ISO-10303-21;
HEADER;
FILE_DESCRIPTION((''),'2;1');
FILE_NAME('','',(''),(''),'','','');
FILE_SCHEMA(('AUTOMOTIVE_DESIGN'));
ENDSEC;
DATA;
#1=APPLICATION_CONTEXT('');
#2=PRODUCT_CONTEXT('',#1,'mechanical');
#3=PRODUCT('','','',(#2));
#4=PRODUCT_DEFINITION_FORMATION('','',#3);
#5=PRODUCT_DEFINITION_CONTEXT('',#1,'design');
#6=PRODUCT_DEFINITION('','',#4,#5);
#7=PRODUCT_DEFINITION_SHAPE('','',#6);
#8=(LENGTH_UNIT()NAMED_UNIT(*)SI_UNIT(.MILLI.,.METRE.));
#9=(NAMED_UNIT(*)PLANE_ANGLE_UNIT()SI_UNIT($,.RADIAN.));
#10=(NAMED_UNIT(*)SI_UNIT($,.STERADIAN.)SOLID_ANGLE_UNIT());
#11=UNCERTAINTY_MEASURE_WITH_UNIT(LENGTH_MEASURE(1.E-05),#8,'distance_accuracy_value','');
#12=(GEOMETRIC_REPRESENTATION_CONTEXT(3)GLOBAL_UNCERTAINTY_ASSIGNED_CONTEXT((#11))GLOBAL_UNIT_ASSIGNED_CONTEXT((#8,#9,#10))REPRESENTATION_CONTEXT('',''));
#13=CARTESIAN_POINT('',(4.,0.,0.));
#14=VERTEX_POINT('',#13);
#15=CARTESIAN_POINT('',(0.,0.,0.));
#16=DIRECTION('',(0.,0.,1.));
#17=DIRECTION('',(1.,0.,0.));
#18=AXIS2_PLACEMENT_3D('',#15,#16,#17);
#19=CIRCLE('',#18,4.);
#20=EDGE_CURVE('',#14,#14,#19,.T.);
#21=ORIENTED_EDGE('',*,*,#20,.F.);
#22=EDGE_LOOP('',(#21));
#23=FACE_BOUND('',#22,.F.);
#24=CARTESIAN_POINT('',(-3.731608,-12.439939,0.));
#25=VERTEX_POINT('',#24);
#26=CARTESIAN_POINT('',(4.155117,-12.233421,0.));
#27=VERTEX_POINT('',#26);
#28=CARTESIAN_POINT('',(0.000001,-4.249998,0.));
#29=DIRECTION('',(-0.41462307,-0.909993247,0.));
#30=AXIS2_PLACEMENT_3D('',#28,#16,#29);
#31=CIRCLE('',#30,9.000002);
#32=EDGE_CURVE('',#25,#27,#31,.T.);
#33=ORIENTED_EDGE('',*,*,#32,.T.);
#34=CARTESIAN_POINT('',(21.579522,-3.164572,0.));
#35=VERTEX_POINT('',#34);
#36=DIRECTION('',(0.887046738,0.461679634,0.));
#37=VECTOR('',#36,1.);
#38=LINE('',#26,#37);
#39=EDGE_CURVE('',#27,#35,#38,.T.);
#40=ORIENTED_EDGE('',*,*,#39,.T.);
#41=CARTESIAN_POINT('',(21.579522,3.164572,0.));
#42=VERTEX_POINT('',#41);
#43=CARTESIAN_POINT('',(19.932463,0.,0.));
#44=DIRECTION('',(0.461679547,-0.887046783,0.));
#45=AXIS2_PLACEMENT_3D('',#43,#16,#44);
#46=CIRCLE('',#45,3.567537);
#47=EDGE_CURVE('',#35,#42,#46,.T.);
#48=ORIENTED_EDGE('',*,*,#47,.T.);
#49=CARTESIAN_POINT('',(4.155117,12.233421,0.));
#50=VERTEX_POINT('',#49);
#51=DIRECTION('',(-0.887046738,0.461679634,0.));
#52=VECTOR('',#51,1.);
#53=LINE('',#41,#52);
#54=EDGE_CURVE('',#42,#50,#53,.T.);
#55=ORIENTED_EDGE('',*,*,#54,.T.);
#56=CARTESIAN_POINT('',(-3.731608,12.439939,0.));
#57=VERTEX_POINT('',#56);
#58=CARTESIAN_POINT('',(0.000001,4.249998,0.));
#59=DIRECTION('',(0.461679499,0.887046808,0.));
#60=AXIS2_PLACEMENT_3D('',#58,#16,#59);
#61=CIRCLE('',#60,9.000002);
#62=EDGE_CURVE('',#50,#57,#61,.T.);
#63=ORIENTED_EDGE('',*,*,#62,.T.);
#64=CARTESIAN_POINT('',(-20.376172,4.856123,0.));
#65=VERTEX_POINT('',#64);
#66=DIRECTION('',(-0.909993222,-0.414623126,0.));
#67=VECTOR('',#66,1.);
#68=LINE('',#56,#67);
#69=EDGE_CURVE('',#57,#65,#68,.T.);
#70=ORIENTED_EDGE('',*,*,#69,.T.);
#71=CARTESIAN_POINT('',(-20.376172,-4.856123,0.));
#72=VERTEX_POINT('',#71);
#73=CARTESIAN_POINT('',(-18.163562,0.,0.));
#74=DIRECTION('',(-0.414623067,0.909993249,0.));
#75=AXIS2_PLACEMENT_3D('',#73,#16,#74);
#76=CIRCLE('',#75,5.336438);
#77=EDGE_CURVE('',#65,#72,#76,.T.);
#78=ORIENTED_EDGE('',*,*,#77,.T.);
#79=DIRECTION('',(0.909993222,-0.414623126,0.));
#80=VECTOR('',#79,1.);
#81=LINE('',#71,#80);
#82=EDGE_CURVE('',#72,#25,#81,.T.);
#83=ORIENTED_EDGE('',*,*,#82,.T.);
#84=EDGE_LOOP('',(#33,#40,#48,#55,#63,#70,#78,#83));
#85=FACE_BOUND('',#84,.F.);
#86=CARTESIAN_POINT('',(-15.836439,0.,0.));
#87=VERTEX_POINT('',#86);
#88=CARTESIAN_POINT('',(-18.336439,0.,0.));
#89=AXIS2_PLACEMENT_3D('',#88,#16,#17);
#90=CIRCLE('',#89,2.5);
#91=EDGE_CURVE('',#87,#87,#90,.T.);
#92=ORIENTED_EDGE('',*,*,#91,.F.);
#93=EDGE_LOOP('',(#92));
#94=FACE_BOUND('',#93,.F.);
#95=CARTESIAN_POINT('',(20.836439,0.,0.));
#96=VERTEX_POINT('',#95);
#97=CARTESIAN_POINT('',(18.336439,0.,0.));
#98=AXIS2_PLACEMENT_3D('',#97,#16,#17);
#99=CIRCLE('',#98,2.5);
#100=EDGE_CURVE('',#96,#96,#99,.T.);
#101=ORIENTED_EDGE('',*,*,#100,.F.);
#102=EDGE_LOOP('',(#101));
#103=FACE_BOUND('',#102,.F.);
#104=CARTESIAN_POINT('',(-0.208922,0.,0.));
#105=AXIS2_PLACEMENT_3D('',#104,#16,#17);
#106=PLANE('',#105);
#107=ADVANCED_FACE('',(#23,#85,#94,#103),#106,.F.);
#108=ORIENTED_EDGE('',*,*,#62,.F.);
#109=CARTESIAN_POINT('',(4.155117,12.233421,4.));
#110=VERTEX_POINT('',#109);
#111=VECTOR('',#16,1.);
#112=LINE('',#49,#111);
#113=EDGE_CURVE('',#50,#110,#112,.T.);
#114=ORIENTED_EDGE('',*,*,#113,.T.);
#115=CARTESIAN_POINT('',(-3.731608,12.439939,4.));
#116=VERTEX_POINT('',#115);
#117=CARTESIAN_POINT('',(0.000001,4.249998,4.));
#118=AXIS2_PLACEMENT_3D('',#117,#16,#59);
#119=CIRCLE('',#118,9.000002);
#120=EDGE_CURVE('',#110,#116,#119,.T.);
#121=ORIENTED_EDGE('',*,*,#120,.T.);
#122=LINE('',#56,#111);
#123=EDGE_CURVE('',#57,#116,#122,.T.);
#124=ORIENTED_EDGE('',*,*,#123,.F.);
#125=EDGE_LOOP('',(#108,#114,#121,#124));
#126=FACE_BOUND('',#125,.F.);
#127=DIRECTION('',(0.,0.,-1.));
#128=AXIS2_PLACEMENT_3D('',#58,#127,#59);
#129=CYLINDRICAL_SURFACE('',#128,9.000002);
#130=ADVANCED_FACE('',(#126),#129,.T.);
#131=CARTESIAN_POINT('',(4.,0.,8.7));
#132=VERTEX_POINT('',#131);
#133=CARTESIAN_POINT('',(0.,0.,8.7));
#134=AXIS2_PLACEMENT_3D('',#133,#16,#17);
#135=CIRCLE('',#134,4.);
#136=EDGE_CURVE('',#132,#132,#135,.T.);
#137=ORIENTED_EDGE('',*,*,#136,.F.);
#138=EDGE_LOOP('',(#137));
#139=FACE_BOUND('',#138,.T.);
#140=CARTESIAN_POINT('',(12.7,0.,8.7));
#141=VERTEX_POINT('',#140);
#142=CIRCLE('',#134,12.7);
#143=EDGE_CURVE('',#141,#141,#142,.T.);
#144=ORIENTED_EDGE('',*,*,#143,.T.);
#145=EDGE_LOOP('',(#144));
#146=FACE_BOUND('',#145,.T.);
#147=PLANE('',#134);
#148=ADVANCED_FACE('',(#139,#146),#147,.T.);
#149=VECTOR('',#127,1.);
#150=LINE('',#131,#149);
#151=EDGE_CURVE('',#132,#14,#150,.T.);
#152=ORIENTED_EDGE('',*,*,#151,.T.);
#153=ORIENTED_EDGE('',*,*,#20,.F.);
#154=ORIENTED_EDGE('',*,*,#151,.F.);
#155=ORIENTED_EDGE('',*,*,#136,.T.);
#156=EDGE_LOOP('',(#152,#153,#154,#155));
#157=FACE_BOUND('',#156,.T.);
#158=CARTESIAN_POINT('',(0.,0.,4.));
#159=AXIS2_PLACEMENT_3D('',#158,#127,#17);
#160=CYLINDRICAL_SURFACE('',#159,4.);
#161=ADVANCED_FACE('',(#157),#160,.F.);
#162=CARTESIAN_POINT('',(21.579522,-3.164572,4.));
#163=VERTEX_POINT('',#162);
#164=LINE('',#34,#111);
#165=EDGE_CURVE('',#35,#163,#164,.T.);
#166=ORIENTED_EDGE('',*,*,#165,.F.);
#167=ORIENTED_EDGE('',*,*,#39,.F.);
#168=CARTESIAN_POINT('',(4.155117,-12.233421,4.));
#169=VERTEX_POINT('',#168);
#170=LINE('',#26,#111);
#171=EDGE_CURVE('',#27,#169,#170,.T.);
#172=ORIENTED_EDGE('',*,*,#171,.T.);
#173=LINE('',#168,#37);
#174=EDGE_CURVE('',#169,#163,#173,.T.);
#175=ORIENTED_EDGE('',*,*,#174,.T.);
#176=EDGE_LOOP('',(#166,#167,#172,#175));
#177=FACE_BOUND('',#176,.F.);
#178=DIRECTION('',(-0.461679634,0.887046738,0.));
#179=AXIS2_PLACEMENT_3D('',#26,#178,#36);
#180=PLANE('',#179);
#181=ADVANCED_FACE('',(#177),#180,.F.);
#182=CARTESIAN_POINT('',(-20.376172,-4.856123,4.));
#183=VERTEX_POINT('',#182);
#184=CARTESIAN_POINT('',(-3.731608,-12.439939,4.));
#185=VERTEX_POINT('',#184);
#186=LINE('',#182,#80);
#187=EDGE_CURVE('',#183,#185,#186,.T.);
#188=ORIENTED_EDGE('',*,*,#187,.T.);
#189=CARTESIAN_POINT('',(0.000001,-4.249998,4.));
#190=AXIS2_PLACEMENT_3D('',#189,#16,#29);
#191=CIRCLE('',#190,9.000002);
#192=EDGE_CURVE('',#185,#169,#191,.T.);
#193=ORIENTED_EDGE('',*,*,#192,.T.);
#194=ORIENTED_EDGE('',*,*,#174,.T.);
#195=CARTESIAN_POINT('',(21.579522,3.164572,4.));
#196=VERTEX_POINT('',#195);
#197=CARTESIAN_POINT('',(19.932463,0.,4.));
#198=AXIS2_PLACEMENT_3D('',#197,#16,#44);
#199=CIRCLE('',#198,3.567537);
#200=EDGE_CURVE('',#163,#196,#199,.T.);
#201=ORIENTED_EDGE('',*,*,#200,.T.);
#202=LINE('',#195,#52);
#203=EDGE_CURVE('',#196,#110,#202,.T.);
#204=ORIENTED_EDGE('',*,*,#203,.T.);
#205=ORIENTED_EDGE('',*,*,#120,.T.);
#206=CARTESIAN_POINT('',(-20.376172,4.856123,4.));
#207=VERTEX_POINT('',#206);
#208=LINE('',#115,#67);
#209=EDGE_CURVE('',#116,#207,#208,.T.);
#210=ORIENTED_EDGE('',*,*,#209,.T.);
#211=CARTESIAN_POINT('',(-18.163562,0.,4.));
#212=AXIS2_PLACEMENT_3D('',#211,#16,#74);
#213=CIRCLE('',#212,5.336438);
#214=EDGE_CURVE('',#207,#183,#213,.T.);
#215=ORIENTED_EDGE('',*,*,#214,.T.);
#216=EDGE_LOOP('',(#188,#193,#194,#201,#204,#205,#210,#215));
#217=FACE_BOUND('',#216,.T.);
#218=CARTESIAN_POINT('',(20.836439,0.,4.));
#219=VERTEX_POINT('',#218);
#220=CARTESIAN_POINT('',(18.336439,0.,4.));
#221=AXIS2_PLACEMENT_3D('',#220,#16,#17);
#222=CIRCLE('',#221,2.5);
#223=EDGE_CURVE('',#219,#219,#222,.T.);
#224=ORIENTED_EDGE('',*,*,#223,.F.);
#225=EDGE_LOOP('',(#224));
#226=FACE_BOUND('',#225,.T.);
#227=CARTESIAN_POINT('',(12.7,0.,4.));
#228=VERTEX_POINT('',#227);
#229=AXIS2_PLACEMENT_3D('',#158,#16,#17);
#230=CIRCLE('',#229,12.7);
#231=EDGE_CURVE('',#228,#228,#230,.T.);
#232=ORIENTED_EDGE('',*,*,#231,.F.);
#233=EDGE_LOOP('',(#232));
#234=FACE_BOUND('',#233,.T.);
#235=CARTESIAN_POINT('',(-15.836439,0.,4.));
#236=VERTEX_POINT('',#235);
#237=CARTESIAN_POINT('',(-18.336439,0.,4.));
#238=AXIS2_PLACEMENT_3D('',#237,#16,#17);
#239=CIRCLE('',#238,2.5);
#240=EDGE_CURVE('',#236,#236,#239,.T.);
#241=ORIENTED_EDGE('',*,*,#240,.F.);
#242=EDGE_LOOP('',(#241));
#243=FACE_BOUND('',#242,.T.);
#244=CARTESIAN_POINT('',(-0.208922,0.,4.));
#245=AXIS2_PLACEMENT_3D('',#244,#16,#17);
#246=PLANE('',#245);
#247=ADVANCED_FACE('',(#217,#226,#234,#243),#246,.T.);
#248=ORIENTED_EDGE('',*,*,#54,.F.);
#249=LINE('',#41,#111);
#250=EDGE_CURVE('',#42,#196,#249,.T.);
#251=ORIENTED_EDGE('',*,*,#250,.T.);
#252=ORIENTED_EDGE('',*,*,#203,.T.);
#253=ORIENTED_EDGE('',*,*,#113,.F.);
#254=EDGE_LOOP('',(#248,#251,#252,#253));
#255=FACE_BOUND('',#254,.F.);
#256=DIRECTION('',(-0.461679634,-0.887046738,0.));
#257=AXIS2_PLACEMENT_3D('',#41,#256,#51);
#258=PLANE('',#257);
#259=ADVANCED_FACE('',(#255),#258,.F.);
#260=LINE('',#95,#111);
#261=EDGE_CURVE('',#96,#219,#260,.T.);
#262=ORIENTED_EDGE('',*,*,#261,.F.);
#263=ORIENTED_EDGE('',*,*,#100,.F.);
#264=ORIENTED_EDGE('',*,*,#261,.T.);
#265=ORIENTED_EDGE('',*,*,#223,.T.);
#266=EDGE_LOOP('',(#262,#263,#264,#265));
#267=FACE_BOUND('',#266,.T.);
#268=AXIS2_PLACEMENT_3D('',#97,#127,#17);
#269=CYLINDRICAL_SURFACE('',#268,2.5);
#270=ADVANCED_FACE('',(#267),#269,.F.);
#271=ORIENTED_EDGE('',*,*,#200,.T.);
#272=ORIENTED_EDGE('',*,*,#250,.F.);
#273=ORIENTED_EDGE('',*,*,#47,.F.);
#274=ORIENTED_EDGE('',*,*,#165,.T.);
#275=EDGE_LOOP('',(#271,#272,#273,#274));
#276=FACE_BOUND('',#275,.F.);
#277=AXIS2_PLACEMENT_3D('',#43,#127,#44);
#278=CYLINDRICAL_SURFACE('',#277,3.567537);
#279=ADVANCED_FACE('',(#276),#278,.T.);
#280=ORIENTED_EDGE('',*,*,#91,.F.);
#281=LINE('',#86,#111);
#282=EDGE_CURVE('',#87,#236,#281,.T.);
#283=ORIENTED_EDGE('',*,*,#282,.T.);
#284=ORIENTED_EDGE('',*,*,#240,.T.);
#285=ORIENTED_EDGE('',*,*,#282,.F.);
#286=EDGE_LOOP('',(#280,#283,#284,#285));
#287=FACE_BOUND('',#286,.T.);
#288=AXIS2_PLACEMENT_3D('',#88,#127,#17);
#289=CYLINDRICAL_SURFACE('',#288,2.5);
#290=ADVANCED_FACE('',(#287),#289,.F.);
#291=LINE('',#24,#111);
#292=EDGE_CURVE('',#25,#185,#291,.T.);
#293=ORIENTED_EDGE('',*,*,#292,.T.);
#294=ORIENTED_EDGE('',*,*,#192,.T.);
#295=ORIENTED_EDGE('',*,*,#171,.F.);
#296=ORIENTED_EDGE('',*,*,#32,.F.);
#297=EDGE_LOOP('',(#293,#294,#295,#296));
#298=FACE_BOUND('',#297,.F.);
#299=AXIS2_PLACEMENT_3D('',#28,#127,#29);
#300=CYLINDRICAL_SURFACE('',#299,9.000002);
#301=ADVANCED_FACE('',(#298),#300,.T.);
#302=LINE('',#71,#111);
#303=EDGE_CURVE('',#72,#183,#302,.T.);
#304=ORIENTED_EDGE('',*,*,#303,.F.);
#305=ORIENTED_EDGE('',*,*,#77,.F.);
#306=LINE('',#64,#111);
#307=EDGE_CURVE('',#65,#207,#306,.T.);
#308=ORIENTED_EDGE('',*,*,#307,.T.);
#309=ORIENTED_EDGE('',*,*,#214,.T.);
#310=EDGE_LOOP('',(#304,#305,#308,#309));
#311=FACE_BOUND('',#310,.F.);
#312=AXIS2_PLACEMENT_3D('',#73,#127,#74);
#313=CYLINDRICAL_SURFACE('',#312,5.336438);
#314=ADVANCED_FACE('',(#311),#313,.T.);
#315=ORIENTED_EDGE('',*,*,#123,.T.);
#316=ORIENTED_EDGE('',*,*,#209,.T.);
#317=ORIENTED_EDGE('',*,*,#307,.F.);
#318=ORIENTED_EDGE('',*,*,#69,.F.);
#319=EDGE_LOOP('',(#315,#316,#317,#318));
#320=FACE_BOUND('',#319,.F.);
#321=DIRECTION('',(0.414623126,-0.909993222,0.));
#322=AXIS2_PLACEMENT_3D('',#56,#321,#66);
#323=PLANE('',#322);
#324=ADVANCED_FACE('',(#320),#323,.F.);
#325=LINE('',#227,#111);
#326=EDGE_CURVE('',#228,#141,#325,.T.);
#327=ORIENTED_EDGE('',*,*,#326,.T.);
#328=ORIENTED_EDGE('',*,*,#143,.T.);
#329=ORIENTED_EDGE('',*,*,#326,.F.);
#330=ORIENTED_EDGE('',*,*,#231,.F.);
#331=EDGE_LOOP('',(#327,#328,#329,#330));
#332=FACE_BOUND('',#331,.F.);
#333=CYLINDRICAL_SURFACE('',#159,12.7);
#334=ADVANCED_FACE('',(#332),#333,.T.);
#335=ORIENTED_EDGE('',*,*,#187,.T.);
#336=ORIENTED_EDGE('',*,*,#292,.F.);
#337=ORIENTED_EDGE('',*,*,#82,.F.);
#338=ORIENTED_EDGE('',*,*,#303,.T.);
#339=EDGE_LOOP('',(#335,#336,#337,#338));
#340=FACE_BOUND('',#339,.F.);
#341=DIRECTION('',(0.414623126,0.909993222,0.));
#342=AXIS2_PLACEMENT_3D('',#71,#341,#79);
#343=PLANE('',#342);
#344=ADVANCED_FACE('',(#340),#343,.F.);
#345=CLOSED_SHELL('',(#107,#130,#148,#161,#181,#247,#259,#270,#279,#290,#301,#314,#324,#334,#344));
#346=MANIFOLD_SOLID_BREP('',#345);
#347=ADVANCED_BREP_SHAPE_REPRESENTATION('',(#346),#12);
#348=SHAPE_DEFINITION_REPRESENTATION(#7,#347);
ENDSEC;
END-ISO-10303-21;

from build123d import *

# Parameters (mm, degrees)
SKETCH_R      = 4
SKETCH_R_2    = 2.5
PAD_DEPTH     = 4
SKETCH001_R   = 12.7
SKETCH001_R_2 = 4
PAD001_DEPTH  = 4.7


with BuildPart() as part:
    # Sketch → Pad (new body)
    with BuildSketch(Plane.XY):
        with BuildLine():
            Line((-20.376172, -4.856123), (-3.731608, -12.439939))
            ThreePointArc((-3.731608, -12.439939), (0.235589, -13.246916), (4.155117, -12.233421))
            Line((4.155117, -12.233421), (21.579522, -3.164572))
            ThreePointArc((21.579522, -3.164572), (23.5, 0), (21.579522, 3.164572))
            Line((21.579522, 3.164572), (4.155117, 12.233421))
            ThreePointArc((4.155117, 12.233421), (0.235589, 13.246916), (-3.731608, 12.439939))
            Line((-3.731608, 12.439939), (-20.376172, 4.856123))
            ThreePointArc((-20.376172, 4.856123), (-23.5, 0), (-20.376172, -4.856123))
        make_face()
        Circle(SKETCH_R, mode=Mode.SUBTRACT)
        with Locations((-18.336439, 0)):
            Circle(SKETCH_R_2, mode=Mode.SUBTRACT)
        with Locations((18.336439, 0)):
            Circle(SKETCH_R_2, mode=Mode.SUBTRACT)
    extrude(amount=PAD_DEPTH)

    # Sketch001 → Pad001 (new body)
    with BuildSketch(Plane.XY.offset(4)):
        Circle(SKETCH001_R)
        Circle(SKETCH001_R_2, mode=Mode.SUBTRACT)
    extrude(amount=PAD001_DEPTH)


solid = part.part
